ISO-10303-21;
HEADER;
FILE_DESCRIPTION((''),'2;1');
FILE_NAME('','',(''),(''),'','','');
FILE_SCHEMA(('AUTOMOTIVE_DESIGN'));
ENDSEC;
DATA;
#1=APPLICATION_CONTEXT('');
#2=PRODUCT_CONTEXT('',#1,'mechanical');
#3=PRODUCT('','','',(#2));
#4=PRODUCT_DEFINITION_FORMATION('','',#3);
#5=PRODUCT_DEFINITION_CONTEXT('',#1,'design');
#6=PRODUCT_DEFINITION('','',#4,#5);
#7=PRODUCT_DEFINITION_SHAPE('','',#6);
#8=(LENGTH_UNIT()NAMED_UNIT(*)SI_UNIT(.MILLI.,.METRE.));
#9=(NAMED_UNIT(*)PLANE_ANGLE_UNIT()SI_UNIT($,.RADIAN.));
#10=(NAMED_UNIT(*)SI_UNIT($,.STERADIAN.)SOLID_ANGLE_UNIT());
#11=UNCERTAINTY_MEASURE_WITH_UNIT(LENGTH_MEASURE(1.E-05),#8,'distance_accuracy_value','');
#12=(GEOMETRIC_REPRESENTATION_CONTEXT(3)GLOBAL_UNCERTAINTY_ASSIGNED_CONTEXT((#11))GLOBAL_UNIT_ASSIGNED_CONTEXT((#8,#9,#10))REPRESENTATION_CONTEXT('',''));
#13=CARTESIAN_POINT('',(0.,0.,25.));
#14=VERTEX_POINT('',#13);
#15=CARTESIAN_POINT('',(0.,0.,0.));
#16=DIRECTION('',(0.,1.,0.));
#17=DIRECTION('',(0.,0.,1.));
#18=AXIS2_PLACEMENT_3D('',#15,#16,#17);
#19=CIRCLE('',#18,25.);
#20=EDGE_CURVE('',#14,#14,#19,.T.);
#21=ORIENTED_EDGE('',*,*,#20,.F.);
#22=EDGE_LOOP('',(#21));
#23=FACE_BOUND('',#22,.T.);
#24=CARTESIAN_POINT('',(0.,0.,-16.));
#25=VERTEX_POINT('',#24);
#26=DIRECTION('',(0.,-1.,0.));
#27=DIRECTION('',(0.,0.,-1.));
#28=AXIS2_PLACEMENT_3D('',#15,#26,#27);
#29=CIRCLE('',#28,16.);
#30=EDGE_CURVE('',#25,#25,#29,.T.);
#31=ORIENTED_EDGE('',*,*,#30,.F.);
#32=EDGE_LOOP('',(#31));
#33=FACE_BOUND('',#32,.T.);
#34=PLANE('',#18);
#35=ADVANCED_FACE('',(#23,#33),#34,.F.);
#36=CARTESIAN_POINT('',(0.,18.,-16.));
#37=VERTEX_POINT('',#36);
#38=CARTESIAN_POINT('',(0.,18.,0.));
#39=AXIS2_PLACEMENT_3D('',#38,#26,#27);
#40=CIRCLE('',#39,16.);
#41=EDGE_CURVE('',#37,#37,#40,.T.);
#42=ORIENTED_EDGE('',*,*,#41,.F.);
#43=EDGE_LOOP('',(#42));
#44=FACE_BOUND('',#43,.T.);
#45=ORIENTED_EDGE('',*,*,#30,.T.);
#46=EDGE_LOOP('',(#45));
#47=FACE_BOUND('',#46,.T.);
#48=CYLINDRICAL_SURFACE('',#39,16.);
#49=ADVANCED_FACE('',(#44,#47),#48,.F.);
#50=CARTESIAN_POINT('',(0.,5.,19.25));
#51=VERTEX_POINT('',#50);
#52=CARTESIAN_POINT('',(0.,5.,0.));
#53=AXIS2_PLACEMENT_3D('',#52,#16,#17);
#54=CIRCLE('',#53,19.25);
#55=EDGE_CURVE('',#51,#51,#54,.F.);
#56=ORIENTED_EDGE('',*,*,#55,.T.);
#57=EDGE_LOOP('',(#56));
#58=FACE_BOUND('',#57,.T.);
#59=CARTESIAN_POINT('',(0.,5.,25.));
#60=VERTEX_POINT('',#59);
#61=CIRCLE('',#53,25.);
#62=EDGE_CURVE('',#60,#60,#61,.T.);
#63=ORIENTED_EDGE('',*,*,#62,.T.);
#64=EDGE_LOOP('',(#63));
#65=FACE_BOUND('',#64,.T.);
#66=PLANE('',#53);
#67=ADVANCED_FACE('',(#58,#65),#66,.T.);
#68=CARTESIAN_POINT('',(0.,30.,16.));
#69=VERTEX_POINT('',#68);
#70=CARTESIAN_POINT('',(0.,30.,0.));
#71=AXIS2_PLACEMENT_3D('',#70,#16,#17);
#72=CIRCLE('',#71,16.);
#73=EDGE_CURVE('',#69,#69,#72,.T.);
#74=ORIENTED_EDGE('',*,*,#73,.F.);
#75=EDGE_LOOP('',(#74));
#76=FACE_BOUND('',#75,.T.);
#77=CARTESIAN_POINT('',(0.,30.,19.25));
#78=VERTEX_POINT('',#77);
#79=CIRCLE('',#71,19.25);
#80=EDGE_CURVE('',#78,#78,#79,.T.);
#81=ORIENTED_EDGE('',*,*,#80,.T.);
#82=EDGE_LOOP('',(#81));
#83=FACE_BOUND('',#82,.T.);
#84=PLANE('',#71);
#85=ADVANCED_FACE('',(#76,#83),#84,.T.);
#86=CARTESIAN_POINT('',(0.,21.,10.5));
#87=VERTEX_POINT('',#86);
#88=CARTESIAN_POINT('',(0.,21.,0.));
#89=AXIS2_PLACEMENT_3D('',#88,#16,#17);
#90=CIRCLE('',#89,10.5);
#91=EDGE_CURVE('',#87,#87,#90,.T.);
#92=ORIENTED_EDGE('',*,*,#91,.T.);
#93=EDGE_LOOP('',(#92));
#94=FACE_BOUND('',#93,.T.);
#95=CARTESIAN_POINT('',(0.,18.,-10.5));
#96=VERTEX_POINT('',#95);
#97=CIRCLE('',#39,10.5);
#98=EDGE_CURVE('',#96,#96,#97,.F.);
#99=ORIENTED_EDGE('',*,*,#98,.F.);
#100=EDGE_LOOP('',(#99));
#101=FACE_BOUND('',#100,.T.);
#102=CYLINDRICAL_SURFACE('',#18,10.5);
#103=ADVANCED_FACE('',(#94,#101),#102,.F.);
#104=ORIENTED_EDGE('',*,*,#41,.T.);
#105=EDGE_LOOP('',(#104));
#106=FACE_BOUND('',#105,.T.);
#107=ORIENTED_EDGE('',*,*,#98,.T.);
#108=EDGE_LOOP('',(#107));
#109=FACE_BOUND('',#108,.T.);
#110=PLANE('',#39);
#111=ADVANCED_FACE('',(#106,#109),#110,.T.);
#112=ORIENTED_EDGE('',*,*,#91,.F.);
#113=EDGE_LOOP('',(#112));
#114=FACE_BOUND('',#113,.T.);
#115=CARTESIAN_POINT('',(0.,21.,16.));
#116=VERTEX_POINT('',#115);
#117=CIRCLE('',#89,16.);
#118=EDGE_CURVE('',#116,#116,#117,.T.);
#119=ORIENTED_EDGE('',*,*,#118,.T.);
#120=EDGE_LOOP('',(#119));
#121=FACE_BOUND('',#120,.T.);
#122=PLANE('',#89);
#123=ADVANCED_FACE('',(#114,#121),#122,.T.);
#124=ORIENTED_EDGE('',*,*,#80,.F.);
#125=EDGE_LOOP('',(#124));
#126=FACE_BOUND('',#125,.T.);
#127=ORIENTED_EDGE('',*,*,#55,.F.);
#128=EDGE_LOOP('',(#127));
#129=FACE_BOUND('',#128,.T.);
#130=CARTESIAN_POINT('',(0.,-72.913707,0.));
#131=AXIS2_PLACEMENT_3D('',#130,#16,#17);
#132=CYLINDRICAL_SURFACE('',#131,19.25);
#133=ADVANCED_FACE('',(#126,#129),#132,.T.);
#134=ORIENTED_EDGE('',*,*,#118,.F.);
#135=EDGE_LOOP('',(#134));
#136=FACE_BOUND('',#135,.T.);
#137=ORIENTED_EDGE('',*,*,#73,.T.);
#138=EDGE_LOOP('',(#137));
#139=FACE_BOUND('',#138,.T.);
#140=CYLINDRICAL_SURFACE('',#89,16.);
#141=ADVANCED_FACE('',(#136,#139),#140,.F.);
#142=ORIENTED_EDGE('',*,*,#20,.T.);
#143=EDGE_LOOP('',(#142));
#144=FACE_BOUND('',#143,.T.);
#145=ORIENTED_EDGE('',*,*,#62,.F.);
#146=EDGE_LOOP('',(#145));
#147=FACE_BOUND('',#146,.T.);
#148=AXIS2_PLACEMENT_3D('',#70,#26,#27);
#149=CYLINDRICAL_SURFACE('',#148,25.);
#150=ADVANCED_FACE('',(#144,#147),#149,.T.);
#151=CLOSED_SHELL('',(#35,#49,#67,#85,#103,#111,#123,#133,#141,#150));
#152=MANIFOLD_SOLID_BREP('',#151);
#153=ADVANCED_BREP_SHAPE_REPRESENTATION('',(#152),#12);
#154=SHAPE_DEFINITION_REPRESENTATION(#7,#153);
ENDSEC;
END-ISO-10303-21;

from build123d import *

# Parameters (mm, degrees)
SKETCH1_R           = 25
BOSS_EXTRUDE1_DEPTH = 30
SKETCH2_OUTSIDE_W   = 67.362
SKETCH2_OUTSIDE_H   = 67.362
SKETCH2_OUTSIDE_R   = 19.25
CUT_EXTRUDE1_DEPTH  = 25
SKETCH3_R           = 16
CUT_EXTRUDE2_DEPTH  = 9
SKETCH4_R           = 10.5
CUT_EXTRUDE3_DEPTH  = 22
SKETCH5_R           = 16
CUT_EXTRUDE4_DEPTH  = 18


with BuildPart() as part:
    # Sketch1 → Boss-Extrude1 (new body)
    with BuildSketch(Plane(origin=(0, 0, 0), x_dir=(1, 0, 0), z_dir=(0, 1, 0))):
        Circle(SKETCH1_R)
    extrude(amount=BOSS_EXTRUDE1_DEPTH)

    # Sketch2 outside → Cut-Extrude1 (cut)
    with BuildSketch(Plane(origin=(0, 30, 0), x_dir=(1, 0, 0), z_dir=(0, 1, 0))):
        Rectangle(SKETCH2_OUTSIDE_W, SKETCH2_OUTSIDE_H)
        Circle(SKETCH2_OUTSIDE_R, mode=Mode.SUBTRACT)
    extrude(amount=-CUT_EXTRUDE1_DEPTH, mode=Mode.SUBTRACT)

    # Sketch3 → Cut-Extrude2 (cut)
    with BuildSketch(Plane(origin=(0, 30, 0), x_dir=(1, 0, 0), z_dir=(0, 1, 0))):
        Circle(SKETCH3_R)
    extrude(amount=-CUT_EXTRUDE2_DEPTH, mode=Mode.SUBTRACT)

    # Sketch4 → Cut-Extrude3 (cut, through all)
    with BuildSketch(Plane(origin=(0, 21, 0), x_dir=(1, 0, 0), z_dir=(0, 1, 0))):
        Circle(SKETCH4_R)
    extrude(amount=-CUT_EXTRUDE3_DEPTH, mode=Mode.SUBTRACT)

    # Sketch5 → Cut-Extrude4 (cut)
    with BuildSketch(Plane.XZ):
        Circle(SKETCH5_R)
    extrude(amount=-CUT_EXTRUDE4_DEPTH, mode=Mode.SUBTRACT)


solid = part.part
